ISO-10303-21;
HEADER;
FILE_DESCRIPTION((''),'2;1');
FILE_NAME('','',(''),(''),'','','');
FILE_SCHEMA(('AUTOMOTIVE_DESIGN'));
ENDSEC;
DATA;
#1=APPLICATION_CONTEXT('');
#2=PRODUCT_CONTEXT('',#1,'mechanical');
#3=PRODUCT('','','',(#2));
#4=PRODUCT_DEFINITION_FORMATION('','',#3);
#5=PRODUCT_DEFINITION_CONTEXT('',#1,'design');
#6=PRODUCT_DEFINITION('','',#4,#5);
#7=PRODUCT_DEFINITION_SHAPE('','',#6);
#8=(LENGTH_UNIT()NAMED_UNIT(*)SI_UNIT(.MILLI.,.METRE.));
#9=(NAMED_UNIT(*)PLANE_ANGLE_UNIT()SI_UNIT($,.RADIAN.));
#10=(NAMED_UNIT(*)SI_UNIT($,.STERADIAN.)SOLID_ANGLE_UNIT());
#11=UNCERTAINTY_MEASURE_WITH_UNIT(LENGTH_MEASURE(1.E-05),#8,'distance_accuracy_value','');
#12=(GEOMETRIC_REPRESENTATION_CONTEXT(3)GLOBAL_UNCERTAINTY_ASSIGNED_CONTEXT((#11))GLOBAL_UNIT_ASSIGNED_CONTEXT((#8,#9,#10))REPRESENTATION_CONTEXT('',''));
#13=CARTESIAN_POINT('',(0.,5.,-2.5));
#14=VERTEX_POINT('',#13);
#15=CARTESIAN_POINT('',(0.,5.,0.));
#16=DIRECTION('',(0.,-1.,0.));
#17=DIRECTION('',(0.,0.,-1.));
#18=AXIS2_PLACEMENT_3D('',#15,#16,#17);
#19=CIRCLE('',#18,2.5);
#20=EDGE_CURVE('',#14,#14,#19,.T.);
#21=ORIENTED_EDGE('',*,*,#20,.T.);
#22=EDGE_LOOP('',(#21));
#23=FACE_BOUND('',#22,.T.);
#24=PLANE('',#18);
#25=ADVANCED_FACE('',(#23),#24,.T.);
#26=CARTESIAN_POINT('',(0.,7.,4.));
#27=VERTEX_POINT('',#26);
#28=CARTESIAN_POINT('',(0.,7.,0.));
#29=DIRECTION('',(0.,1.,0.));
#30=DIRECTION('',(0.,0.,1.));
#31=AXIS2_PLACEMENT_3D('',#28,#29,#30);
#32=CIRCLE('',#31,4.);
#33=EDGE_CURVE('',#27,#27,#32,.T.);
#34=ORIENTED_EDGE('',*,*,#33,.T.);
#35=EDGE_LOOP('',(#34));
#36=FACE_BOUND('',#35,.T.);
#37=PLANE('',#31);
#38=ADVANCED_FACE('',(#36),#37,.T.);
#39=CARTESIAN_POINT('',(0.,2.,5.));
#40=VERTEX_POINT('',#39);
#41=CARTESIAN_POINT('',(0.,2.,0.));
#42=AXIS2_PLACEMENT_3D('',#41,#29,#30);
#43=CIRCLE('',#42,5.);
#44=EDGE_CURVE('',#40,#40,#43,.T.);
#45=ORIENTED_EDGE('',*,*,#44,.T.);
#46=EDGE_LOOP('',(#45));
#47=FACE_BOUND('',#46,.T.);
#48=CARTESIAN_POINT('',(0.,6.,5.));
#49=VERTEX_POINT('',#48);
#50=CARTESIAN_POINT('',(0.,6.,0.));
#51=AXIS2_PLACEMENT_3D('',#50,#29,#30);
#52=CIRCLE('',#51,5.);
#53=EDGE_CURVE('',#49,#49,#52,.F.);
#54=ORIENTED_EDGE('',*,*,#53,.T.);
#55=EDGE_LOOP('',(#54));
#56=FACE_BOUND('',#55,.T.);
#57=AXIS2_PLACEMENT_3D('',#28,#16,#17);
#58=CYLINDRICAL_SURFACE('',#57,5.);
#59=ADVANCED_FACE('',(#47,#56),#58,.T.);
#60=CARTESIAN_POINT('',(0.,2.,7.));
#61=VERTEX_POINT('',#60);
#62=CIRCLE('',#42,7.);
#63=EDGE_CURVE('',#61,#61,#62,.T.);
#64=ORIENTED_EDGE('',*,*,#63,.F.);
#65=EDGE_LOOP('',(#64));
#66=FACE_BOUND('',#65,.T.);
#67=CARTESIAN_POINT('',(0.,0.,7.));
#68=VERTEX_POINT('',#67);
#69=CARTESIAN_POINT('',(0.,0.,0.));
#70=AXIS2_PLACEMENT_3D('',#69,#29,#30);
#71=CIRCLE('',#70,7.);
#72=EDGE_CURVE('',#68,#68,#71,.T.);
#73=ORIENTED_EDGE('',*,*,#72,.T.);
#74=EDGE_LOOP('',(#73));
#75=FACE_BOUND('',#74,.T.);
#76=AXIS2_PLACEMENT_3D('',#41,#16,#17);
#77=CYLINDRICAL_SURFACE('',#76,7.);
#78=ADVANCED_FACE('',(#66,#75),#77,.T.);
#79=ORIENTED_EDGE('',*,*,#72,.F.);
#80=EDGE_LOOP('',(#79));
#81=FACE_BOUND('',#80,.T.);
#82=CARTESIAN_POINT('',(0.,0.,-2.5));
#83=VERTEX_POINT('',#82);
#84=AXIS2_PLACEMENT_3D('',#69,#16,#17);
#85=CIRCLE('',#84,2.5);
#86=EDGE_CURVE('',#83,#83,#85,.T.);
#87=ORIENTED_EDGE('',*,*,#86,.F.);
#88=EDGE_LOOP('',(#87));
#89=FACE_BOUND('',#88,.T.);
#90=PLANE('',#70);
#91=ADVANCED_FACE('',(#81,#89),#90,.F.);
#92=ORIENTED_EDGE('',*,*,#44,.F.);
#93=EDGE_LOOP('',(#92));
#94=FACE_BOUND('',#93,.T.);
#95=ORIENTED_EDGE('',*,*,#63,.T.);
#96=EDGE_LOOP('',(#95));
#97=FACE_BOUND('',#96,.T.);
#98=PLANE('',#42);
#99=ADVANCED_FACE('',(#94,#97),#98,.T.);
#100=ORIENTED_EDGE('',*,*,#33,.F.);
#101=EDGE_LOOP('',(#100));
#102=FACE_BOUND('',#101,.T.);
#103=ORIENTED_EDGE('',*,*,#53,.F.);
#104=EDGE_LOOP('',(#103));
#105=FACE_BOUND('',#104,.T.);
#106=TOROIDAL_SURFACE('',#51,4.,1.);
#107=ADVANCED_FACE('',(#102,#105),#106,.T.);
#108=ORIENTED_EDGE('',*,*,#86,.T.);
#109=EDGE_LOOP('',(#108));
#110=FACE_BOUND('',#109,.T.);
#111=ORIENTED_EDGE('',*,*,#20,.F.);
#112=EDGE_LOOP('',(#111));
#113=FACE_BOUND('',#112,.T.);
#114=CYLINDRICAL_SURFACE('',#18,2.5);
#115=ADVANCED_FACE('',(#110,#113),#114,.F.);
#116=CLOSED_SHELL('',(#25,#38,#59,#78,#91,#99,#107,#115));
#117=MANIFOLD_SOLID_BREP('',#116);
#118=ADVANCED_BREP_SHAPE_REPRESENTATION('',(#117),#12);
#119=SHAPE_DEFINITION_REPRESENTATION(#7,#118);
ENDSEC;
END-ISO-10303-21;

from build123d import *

# Parameters (mm, degrees)
SKETCH_1_R          = 7
EXTRUDE_1_DEPTH     = 2
SKETCH_2_R          = 5
EXTRUDE_2_DEPTH     = 5
SKETCH_3_R          = 2.5
CUT_EXTRUDE_1_DEPTH = 5
FILLET_1_R          = 1


with BuildPart() as part:
    # 草图1 → 凸台-拉伸1 (new body)
    with BuildSketch(Plane(origin=(0, 0, 0), x_dir=(1, 0, 0), z_dir=(0, 1, 0))):
        Circle(SKETCH_1_R)
    extrude(amount=EXTRUDE_1_DEPTH)

    # 草图2 → 凸台-拉伸2 (add)
    with BuildSketch(Plane(origin=(0, 2, 0), x_dir=(1, 0, 0), z_dir=(0, 1, 0))):
        Circle(SKETCH_2_R)
    extrude(amount=EXTRUDE_2_DEPTH)

    # 草图3 → 切除-拉伸1 (cut)
    with BuildSketch(Plane.XZ):
        Circle(SKETCH_3_R)
    extrude(amount=-CUT_EXTRUDE_1_DEPTH, mode=Mode.SUBTRACT)

    # 圆角1
    fillet_1_edges = [part.edges().sort_by_distance(p)[0] for p in [
        (-5, 7, 0),
    ]]
    fillet(fillet_1_edges, radius=FILLET_1_R)


solid = part.part
